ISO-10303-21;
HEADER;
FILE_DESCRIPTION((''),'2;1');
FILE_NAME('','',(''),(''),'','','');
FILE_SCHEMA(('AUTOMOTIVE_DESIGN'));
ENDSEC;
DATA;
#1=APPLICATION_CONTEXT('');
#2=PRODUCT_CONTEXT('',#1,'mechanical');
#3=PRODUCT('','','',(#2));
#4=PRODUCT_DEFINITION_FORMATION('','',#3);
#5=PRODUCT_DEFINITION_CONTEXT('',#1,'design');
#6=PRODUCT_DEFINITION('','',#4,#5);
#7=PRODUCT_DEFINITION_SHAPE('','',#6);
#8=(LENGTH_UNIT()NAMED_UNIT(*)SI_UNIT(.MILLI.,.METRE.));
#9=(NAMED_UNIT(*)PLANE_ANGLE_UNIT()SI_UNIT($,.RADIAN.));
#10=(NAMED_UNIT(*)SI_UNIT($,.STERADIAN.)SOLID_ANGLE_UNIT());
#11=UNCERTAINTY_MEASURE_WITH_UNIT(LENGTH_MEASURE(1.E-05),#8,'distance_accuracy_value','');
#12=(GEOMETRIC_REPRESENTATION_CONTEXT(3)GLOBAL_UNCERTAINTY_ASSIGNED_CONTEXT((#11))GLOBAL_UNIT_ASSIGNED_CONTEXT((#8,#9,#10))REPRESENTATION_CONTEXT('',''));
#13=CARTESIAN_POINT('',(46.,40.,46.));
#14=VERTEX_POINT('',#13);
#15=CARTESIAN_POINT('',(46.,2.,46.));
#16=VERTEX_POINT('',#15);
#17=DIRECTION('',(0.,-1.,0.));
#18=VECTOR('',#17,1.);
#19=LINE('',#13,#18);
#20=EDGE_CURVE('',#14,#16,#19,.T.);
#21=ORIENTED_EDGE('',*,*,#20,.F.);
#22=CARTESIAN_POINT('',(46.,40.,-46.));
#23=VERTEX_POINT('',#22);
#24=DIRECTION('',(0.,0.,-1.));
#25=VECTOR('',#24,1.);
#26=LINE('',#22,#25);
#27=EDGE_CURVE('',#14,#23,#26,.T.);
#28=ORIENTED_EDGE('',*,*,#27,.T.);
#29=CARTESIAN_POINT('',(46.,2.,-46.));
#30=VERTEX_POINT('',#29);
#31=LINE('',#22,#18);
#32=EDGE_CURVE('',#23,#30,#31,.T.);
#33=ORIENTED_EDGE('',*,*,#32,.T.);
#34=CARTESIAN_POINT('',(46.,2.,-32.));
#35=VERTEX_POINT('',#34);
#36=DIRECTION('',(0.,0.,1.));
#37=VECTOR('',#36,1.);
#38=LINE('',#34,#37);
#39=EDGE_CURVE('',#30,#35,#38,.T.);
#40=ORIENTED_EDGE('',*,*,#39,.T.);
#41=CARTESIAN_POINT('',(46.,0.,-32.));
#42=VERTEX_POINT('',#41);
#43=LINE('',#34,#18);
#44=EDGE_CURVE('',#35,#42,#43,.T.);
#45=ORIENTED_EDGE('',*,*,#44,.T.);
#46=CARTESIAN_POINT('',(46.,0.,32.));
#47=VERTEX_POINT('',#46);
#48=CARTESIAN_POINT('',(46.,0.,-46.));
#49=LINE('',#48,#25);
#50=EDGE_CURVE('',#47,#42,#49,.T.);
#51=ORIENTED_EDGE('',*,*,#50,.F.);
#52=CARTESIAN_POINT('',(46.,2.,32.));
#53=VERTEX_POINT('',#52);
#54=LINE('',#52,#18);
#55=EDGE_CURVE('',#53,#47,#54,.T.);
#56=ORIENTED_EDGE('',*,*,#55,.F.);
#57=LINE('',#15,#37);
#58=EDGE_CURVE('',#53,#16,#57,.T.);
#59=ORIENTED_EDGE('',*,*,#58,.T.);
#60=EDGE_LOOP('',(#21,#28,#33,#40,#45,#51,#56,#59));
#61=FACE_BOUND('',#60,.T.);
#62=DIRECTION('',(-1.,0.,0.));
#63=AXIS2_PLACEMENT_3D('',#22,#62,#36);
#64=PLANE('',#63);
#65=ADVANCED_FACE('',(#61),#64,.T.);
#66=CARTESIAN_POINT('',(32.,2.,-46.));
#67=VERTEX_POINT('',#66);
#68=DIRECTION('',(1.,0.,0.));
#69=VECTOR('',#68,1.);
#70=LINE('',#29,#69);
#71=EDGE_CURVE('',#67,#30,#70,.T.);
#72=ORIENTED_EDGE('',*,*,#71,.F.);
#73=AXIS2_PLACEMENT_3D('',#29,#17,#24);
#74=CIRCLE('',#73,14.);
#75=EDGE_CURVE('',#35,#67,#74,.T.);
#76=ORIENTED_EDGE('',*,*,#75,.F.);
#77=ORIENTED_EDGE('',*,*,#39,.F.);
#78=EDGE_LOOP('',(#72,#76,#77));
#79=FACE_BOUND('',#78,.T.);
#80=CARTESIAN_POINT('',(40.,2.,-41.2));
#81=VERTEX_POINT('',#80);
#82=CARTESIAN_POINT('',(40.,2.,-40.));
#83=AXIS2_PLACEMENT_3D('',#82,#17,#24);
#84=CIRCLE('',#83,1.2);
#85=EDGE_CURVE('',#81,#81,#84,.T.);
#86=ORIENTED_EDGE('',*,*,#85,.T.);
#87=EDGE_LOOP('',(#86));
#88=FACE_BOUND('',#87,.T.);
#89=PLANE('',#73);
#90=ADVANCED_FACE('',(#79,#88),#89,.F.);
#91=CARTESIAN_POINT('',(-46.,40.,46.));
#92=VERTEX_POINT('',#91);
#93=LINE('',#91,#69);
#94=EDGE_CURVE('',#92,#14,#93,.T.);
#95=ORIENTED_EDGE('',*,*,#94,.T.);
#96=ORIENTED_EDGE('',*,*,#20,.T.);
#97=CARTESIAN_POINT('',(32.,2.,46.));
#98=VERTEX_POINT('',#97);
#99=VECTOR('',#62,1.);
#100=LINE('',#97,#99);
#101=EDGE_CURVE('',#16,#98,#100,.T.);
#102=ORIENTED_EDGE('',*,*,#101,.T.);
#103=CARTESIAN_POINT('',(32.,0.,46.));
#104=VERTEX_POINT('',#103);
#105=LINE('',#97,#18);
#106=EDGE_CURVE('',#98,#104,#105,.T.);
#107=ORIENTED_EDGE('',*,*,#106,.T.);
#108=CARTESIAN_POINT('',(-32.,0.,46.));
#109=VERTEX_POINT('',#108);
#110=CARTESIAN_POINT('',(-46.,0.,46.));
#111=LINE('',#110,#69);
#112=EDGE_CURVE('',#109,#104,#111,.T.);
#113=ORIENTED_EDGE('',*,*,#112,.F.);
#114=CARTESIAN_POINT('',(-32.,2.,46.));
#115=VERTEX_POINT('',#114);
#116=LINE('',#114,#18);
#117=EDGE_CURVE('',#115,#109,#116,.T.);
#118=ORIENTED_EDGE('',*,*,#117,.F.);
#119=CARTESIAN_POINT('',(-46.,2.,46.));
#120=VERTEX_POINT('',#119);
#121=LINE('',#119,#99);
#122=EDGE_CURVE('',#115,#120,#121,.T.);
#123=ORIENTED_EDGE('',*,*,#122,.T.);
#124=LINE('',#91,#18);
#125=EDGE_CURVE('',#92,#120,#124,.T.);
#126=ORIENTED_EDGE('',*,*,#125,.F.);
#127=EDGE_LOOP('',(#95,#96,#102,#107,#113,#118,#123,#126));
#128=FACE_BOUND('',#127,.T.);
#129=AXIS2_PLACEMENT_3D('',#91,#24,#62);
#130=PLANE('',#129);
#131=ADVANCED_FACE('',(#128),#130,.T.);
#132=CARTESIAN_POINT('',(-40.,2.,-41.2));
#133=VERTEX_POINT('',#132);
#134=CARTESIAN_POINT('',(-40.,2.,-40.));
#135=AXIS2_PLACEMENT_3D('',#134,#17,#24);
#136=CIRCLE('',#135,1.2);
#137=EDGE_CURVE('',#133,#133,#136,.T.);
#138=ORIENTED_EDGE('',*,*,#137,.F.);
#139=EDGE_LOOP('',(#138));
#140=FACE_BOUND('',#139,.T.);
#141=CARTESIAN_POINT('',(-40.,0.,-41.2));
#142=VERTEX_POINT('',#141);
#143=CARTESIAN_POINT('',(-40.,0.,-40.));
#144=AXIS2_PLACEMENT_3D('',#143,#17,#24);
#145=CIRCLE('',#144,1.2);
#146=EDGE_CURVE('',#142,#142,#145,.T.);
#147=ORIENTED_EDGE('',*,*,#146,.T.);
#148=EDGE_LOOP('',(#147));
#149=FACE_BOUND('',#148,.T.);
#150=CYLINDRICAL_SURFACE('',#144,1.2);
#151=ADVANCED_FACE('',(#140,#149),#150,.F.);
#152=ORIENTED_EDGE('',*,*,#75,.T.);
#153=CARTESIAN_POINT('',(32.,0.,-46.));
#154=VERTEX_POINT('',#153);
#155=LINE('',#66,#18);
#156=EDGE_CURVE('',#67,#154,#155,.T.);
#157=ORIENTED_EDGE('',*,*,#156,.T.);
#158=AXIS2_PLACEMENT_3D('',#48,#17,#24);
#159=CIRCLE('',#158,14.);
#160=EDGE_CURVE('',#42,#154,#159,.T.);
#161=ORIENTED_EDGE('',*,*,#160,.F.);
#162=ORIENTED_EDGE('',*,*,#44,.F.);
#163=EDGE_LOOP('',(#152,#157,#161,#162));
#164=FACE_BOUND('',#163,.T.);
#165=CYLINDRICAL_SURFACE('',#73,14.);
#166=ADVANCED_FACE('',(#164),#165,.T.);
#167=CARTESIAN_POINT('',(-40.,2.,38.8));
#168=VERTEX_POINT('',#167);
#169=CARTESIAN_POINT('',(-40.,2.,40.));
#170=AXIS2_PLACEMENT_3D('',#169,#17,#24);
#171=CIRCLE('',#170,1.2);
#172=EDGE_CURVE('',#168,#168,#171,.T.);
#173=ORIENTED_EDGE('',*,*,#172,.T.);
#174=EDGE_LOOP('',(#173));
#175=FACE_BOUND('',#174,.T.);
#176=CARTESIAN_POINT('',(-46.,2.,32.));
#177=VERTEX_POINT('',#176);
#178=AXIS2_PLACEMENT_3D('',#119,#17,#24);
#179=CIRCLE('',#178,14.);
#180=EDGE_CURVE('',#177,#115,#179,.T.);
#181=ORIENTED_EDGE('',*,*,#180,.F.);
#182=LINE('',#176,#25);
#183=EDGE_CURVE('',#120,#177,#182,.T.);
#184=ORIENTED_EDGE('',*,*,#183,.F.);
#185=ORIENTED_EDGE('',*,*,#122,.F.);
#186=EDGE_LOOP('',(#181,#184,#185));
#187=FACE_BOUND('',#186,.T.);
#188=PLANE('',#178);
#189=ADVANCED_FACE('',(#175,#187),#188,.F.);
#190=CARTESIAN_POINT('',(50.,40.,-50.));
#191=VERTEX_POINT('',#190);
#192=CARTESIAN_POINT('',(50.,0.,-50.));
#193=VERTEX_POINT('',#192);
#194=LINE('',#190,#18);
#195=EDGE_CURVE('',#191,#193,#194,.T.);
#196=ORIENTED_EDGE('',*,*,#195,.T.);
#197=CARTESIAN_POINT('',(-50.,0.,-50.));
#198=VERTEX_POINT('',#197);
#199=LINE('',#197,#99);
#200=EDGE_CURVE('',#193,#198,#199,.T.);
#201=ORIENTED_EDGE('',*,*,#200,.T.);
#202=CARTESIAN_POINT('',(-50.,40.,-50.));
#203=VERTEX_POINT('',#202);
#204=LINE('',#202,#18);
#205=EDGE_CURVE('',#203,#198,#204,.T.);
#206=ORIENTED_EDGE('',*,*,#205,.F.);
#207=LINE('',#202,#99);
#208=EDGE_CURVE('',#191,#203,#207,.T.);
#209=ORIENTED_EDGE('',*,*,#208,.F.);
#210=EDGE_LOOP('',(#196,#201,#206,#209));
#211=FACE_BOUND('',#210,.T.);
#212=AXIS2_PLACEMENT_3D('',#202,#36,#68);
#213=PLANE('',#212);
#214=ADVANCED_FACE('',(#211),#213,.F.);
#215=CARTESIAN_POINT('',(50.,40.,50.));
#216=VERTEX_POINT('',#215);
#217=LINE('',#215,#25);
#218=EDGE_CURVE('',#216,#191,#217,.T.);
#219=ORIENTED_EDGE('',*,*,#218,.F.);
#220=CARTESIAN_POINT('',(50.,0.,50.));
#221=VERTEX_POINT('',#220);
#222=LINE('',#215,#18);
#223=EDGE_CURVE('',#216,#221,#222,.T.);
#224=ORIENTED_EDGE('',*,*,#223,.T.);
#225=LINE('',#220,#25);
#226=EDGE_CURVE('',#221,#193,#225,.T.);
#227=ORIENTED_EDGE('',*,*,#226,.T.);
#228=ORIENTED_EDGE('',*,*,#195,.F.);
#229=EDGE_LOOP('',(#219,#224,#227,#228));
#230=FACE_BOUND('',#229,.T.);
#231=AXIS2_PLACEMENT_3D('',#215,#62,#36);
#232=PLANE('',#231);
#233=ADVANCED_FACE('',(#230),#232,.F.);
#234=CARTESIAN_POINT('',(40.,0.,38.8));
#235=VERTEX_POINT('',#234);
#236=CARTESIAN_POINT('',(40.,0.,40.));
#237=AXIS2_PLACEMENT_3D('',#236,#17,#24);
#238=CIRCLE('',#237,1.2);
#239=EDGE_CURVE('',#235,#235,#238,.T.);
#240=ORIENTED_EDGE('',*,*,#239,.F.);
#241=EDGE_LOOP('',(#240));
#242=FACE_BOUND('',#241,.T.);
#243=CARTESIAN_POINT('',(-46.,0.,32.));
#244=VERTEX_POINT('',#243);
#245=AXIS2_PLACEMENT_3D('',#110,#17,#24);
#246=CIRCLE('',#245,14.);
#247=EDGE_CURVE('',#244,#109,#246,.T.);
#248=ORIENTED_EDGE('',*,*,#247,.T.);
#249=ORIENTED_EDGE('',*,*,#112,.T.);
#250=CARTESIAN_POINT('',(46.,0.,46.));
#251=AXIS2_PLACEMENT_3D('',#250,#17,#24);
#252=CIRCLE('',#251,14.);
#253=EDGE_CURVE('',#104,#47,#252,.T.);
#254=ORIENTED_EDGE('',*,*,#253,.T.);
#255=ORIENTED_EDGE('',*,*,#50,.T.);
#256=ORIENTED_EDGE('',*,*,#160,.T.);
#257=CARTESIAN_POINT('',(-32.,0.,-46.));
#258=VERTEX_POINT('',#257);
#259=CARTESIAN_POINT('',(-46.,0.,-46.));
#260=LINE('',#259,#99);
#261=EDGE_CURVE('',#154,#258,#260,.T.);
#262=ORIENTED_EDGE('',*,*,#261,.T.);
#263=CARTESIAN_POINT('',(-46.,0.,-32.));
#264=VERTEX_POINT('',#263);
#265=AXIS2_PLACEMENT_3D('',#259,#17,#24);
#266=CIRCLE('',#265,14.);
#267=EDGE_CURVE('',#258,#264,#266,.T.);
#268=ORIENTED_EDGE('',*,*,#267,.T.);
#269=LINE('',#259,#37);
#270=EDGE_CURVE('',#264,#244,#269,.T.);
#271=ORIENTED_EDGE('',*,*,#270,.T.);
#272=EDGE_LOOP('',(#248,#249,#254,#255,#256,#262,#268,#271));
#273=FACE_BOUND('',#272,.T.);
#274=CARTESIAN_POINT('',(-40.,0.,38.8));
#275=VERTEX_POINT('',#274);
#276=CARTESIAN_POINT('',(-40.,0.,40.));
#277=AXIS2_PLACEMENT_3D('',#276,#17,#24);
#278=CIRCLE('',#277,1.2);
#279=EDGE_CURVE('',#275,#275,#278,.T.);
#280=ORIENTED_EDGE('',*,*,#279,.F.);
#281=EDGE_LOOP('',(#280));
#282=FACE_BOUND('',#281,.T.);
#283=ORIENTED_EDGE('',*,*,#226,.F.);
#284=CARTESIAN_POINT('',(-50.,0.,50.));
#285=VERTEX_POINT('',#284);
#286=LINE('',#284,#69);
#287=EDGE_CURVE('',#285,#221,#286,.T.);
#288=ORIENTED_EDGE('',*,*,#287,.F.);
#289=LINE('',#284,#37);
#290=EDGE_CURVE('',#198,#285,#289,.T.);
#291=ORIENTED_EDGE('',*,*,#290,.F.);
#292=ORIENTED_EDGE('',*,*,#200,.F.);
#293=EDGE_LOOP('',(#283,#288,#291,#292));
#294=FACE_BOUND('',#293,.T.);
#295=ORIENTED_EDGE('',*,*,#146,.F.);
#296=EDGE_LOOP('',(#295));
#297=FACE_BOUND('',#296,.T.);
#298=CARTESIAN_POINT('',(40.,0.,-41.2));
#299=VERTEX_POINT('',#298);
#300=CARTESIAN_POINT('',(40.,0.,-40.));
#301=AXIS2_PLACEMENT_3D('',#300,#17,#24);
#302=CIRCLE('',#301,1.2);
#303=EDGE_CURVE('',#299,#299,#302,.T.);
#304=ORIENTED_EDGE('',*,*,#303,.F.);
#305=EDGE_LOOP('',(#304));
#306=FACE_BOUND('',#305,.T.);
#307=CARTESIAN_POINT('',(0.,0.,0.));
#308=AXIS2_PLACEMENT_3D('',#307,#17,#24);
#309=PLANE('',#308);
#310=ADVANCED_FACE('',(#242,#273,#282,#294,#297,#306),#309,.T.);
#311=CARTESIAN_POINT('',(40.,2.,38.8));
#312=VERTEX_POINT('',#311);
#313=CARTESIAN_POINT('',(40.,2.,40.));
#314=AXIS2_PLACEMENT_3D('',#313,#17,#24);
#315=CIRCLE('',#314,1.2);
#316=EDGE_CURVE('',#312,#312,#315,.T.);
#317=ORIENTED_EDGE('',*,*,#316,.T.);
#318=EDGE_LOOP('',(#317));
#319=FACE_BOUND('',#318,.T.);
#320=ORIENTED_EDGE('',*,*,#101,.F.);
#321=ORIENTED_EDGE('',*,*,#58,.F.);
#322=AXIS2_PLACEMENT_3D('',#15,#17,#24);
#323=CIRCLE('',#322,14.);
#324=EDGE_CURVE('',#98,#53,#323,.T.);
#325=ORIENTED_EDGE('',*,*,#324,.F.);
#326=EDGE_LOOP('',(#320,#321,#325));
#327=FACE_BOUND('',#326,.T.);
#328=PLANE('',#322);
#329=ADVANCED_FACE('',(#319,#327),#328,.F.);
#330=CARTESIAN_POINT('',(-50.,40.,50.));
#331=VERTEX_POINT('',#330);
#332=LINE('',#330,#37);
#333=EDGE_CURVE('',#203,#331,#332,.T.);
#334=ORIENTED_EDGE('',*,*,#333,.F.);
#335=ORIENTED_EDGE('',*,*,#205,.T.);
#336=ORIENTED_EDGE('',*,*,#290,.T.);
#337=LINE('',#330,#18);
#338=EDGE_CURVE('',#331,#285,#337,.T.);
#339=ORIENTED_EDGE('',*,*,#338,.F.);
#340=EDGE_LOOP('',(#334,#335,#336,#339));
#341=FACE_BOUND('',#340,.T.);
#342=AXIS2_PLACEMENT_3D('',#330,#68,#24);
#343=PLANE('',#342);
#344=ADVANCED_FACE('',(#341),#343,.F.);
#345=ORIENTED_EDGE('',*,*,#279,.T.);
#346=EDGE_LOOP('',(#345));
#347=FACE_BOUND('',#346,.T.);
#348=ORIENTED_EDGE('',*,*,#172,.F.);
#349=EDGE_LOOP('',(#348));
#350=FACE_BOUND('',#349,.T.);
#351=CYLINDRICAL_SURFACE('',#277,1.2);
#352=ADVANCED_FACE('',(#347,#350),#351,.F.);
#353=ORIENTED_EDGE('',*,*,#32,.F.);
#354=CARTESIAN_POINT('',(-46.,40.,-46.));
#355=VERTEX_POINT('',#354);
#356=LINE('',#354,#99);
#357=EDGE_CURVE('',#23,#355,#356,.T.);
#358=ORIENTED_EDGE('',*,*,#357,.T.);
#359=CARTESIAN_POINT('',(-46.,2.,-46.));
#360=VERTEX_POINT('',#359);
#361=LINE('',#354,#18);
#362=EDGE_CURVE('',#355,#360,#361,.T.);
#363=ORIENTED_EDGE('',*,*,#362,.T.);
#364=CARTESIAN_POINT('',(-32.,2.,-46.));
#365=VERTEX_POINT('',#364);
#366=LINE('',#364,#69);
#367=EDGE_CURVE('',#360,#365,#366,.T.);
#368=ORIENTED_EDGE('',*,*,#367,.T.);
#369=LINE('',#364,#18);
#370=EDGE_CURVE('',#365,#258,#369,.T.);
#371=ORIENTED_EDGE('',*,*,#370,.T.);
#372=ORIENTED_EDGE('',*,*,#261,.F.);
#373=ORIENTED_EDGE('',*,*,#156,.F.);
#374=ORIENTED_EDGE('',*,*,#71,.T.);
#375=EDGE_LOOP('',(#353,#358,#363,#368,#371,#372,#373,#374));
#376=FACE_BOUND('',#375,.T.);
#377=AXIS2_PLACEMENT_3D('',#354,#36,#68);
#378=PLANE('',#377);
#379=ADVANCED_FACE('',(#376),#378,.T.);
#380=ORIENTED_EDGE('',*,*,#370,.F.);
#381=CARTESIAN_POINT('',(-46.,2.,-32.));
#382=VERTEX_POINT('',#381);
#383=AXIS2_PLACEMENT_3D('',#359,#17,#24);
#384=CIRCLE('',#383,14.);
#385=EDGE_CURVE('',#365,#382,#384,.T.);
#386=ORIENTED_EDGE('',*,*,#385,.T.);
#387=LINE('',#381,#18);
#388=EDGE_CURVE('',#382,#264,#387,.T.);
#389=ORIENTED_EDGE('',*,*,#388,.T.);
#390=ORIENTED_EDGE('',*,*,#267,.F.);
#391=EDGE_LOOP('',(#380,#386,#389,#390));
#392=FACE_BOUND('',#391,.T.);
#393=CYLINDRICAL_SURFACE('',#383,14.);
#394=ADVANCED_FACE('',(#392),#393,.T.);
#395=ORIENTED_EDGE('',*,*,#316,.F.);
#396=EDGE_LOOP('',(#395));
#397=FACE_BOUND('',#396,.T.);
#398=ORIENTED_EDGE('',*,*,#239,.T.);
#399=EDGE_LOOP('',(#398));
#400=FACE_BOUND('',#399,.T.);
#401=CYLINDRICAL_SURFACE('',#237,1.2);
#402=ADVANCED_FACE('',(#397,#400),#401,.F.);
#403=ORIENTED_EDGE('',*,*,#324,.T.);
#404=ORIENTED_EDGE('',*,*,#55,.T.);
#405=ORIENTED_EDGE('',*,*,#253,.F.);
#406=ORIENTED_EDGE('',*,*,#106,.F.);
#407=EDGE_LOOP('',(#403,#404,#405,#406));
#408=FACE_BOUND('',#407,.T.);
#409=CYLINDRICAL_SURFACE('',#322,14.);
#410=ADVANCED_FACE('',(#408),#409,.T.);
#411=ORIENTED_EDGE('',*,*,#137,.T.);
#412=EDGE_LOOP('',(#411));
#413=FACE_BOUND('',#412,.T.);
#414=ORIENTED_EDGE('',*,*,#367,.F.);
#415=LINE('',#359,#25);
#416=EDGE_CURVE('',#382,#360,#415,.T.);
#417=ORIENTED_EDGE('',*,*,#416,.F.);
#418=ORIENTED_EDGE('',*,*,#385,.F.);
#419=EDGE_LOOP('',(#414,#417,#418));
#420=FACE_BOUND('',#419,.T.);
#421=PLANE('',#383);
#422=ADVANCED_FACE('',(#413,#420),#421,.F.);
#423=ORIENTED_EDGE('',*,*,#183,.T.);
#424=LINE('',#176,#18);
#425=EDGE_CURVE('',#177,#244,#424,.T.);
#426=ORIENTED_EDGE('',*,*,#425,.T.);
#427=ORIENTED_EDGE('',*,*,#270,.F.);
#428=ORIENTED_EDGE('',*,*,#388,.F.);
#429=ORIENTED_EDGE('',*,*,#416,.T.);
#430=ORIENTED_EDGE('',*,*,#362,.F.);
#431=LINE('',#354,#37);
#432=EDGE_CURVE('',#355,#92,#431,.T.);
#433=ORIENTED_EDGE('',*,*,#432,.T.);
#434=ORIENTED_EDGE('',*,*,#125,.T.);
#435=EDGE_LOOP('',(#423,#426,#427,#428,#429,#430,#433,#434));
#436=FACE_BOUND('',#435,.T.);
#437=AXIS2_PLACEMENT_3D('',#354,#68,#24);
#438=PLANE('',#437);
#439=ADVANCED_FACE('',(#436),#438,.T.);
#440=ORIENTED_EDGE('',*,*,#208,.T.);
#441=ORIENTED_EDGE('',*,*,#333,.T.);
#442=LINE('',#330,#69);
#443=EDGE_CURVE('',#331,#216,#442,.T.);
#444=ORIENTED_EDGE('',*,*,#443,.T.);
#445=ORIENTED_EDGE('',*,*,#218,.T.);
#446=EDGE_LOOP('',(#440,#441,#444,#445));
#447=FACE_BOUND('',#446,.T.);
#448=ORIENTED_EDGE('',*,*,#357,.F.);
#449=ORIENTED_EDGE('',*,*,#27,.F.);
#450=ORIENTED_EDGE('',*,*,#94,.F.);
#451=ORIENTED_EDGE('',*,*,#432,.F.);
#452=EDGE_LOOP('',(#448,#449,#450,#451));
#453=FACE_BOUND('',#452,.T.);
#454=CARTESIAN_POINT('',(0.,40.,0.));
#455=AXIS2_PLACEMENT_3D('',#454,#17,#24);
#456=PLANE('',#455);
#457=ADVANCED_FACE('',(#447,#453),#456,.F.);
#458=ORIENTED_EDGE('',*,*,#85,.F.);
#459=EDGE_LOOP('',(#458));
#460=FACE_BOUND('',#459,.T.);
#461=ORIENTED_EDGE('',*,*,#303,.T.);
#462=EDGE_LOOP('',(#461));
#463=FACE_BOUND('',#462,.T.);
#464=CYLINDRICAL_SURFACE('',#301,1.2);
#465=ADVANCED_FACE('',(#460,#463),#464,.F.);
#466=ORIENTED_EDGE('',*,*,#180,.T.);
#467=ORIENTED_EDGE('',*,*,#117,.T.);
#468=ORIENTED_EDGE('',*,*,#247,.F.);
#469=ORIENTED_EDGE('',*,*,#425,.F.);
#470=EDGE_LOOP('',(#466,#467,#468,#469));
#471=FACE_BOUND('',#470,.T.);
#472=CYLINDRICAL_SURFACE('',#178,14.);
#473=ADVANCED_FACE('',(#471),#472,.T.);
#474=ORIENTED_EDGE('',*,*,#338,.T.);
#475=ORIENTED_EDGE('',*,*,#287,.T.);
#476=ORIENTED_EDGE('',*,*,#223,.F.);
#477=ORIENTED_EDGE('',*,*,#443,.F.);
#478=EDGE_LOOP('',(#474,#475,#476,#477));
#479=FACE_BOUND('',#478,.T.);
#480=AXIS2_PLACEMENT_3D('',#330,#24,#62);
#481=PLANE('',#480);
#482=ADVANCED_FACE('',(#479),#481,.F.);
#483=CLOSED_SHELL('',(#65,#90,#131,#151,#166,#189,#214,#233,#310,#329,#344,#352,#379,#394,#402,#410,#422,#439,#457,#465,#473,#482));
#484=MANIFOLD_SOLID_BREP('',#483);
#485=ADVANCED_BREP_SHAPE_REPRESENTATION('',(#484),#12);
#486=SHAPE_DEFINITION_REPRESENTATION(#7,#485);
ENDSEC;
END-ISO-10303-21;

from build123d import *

# Parameters (mm, degrees)
SKETCH1_W            = 100
SKETCH1_H            = 100
SKETCH1_W_2          = 92
SKETCH1_H_2          = 92
BOSS_EXTRUDE1_DEPTH  = 40
BOSS_EXTRUDE2_DEPTH  = 2
M2_CLEARANCE_HOLE1_D = 2.4


with BuildPart() as part:
    # Sketch1 → Boss-Extrude1 (new body)
    with BuildSketch(Plane(origin=(0, 0, 0), x_dir=(1, 0, 0), z_dir=(0, 1, 0))):
        Rectangle(SKETCH1_W, SKETCH1_H)
        Rectangle(SKETCH1_W_2, SKETCH1_H_2, mode=Mode.SUBTRACT)
    extrude(amount=BOSS_EXTRUDE1_DEPTH)

    # Sketch2 → Boss-Extrude2 (add)
    with BuildSketch(Plane(origin=(0, 0, 0), x_dir=(-1, 0, 0), z_dir=(0, -1, 0))):
        with BuildLine():
            Line((-46, 32), (-46, 46))
            Line((-46, 46), (-32, 46))
            ThreePointArc((-32, 46), (-36.100505063, 36.100505063), (-46, 32))
        make_face()
        with BuildLine():
            Line((32, 46), (46, 46))
            Line((46, 46), (46, 32))
            ThreePointArc((46, 32), (36.100505063, 36.100505063), (32, 46))
        make_face()
        with BuildLine():
            Line((46, -32), (46, -46))
            Line((46, -46), (32, -46))
            ThreePointArc((32, -46), (36.100505063, -36.100505063), (46, -32))
        make_face()
        with BuildLine():
            Line((-32, -46), (-46, -46))
            Line((-46, -46), (-46, -32))
            ThreePointArc((-46, -32), (-36.100505063, -36.100505063), (-32, -46))
        make_face()
    extrude(amount=-BOSS_EXTRUDE2_DEPTH)

    # M2 Clearance Hole1 (through all)
    with Locations(Plane(origin=(40, 0, 40), x_dir=(0, 0, -1), z_dir=(0, -1, 0))):
        with Locations((0, 0), (80, 0), (80, -80), (0, -80)):
            Hole(M2_CLEARANCE_HOLE1_D / 2)


solid = part.part
